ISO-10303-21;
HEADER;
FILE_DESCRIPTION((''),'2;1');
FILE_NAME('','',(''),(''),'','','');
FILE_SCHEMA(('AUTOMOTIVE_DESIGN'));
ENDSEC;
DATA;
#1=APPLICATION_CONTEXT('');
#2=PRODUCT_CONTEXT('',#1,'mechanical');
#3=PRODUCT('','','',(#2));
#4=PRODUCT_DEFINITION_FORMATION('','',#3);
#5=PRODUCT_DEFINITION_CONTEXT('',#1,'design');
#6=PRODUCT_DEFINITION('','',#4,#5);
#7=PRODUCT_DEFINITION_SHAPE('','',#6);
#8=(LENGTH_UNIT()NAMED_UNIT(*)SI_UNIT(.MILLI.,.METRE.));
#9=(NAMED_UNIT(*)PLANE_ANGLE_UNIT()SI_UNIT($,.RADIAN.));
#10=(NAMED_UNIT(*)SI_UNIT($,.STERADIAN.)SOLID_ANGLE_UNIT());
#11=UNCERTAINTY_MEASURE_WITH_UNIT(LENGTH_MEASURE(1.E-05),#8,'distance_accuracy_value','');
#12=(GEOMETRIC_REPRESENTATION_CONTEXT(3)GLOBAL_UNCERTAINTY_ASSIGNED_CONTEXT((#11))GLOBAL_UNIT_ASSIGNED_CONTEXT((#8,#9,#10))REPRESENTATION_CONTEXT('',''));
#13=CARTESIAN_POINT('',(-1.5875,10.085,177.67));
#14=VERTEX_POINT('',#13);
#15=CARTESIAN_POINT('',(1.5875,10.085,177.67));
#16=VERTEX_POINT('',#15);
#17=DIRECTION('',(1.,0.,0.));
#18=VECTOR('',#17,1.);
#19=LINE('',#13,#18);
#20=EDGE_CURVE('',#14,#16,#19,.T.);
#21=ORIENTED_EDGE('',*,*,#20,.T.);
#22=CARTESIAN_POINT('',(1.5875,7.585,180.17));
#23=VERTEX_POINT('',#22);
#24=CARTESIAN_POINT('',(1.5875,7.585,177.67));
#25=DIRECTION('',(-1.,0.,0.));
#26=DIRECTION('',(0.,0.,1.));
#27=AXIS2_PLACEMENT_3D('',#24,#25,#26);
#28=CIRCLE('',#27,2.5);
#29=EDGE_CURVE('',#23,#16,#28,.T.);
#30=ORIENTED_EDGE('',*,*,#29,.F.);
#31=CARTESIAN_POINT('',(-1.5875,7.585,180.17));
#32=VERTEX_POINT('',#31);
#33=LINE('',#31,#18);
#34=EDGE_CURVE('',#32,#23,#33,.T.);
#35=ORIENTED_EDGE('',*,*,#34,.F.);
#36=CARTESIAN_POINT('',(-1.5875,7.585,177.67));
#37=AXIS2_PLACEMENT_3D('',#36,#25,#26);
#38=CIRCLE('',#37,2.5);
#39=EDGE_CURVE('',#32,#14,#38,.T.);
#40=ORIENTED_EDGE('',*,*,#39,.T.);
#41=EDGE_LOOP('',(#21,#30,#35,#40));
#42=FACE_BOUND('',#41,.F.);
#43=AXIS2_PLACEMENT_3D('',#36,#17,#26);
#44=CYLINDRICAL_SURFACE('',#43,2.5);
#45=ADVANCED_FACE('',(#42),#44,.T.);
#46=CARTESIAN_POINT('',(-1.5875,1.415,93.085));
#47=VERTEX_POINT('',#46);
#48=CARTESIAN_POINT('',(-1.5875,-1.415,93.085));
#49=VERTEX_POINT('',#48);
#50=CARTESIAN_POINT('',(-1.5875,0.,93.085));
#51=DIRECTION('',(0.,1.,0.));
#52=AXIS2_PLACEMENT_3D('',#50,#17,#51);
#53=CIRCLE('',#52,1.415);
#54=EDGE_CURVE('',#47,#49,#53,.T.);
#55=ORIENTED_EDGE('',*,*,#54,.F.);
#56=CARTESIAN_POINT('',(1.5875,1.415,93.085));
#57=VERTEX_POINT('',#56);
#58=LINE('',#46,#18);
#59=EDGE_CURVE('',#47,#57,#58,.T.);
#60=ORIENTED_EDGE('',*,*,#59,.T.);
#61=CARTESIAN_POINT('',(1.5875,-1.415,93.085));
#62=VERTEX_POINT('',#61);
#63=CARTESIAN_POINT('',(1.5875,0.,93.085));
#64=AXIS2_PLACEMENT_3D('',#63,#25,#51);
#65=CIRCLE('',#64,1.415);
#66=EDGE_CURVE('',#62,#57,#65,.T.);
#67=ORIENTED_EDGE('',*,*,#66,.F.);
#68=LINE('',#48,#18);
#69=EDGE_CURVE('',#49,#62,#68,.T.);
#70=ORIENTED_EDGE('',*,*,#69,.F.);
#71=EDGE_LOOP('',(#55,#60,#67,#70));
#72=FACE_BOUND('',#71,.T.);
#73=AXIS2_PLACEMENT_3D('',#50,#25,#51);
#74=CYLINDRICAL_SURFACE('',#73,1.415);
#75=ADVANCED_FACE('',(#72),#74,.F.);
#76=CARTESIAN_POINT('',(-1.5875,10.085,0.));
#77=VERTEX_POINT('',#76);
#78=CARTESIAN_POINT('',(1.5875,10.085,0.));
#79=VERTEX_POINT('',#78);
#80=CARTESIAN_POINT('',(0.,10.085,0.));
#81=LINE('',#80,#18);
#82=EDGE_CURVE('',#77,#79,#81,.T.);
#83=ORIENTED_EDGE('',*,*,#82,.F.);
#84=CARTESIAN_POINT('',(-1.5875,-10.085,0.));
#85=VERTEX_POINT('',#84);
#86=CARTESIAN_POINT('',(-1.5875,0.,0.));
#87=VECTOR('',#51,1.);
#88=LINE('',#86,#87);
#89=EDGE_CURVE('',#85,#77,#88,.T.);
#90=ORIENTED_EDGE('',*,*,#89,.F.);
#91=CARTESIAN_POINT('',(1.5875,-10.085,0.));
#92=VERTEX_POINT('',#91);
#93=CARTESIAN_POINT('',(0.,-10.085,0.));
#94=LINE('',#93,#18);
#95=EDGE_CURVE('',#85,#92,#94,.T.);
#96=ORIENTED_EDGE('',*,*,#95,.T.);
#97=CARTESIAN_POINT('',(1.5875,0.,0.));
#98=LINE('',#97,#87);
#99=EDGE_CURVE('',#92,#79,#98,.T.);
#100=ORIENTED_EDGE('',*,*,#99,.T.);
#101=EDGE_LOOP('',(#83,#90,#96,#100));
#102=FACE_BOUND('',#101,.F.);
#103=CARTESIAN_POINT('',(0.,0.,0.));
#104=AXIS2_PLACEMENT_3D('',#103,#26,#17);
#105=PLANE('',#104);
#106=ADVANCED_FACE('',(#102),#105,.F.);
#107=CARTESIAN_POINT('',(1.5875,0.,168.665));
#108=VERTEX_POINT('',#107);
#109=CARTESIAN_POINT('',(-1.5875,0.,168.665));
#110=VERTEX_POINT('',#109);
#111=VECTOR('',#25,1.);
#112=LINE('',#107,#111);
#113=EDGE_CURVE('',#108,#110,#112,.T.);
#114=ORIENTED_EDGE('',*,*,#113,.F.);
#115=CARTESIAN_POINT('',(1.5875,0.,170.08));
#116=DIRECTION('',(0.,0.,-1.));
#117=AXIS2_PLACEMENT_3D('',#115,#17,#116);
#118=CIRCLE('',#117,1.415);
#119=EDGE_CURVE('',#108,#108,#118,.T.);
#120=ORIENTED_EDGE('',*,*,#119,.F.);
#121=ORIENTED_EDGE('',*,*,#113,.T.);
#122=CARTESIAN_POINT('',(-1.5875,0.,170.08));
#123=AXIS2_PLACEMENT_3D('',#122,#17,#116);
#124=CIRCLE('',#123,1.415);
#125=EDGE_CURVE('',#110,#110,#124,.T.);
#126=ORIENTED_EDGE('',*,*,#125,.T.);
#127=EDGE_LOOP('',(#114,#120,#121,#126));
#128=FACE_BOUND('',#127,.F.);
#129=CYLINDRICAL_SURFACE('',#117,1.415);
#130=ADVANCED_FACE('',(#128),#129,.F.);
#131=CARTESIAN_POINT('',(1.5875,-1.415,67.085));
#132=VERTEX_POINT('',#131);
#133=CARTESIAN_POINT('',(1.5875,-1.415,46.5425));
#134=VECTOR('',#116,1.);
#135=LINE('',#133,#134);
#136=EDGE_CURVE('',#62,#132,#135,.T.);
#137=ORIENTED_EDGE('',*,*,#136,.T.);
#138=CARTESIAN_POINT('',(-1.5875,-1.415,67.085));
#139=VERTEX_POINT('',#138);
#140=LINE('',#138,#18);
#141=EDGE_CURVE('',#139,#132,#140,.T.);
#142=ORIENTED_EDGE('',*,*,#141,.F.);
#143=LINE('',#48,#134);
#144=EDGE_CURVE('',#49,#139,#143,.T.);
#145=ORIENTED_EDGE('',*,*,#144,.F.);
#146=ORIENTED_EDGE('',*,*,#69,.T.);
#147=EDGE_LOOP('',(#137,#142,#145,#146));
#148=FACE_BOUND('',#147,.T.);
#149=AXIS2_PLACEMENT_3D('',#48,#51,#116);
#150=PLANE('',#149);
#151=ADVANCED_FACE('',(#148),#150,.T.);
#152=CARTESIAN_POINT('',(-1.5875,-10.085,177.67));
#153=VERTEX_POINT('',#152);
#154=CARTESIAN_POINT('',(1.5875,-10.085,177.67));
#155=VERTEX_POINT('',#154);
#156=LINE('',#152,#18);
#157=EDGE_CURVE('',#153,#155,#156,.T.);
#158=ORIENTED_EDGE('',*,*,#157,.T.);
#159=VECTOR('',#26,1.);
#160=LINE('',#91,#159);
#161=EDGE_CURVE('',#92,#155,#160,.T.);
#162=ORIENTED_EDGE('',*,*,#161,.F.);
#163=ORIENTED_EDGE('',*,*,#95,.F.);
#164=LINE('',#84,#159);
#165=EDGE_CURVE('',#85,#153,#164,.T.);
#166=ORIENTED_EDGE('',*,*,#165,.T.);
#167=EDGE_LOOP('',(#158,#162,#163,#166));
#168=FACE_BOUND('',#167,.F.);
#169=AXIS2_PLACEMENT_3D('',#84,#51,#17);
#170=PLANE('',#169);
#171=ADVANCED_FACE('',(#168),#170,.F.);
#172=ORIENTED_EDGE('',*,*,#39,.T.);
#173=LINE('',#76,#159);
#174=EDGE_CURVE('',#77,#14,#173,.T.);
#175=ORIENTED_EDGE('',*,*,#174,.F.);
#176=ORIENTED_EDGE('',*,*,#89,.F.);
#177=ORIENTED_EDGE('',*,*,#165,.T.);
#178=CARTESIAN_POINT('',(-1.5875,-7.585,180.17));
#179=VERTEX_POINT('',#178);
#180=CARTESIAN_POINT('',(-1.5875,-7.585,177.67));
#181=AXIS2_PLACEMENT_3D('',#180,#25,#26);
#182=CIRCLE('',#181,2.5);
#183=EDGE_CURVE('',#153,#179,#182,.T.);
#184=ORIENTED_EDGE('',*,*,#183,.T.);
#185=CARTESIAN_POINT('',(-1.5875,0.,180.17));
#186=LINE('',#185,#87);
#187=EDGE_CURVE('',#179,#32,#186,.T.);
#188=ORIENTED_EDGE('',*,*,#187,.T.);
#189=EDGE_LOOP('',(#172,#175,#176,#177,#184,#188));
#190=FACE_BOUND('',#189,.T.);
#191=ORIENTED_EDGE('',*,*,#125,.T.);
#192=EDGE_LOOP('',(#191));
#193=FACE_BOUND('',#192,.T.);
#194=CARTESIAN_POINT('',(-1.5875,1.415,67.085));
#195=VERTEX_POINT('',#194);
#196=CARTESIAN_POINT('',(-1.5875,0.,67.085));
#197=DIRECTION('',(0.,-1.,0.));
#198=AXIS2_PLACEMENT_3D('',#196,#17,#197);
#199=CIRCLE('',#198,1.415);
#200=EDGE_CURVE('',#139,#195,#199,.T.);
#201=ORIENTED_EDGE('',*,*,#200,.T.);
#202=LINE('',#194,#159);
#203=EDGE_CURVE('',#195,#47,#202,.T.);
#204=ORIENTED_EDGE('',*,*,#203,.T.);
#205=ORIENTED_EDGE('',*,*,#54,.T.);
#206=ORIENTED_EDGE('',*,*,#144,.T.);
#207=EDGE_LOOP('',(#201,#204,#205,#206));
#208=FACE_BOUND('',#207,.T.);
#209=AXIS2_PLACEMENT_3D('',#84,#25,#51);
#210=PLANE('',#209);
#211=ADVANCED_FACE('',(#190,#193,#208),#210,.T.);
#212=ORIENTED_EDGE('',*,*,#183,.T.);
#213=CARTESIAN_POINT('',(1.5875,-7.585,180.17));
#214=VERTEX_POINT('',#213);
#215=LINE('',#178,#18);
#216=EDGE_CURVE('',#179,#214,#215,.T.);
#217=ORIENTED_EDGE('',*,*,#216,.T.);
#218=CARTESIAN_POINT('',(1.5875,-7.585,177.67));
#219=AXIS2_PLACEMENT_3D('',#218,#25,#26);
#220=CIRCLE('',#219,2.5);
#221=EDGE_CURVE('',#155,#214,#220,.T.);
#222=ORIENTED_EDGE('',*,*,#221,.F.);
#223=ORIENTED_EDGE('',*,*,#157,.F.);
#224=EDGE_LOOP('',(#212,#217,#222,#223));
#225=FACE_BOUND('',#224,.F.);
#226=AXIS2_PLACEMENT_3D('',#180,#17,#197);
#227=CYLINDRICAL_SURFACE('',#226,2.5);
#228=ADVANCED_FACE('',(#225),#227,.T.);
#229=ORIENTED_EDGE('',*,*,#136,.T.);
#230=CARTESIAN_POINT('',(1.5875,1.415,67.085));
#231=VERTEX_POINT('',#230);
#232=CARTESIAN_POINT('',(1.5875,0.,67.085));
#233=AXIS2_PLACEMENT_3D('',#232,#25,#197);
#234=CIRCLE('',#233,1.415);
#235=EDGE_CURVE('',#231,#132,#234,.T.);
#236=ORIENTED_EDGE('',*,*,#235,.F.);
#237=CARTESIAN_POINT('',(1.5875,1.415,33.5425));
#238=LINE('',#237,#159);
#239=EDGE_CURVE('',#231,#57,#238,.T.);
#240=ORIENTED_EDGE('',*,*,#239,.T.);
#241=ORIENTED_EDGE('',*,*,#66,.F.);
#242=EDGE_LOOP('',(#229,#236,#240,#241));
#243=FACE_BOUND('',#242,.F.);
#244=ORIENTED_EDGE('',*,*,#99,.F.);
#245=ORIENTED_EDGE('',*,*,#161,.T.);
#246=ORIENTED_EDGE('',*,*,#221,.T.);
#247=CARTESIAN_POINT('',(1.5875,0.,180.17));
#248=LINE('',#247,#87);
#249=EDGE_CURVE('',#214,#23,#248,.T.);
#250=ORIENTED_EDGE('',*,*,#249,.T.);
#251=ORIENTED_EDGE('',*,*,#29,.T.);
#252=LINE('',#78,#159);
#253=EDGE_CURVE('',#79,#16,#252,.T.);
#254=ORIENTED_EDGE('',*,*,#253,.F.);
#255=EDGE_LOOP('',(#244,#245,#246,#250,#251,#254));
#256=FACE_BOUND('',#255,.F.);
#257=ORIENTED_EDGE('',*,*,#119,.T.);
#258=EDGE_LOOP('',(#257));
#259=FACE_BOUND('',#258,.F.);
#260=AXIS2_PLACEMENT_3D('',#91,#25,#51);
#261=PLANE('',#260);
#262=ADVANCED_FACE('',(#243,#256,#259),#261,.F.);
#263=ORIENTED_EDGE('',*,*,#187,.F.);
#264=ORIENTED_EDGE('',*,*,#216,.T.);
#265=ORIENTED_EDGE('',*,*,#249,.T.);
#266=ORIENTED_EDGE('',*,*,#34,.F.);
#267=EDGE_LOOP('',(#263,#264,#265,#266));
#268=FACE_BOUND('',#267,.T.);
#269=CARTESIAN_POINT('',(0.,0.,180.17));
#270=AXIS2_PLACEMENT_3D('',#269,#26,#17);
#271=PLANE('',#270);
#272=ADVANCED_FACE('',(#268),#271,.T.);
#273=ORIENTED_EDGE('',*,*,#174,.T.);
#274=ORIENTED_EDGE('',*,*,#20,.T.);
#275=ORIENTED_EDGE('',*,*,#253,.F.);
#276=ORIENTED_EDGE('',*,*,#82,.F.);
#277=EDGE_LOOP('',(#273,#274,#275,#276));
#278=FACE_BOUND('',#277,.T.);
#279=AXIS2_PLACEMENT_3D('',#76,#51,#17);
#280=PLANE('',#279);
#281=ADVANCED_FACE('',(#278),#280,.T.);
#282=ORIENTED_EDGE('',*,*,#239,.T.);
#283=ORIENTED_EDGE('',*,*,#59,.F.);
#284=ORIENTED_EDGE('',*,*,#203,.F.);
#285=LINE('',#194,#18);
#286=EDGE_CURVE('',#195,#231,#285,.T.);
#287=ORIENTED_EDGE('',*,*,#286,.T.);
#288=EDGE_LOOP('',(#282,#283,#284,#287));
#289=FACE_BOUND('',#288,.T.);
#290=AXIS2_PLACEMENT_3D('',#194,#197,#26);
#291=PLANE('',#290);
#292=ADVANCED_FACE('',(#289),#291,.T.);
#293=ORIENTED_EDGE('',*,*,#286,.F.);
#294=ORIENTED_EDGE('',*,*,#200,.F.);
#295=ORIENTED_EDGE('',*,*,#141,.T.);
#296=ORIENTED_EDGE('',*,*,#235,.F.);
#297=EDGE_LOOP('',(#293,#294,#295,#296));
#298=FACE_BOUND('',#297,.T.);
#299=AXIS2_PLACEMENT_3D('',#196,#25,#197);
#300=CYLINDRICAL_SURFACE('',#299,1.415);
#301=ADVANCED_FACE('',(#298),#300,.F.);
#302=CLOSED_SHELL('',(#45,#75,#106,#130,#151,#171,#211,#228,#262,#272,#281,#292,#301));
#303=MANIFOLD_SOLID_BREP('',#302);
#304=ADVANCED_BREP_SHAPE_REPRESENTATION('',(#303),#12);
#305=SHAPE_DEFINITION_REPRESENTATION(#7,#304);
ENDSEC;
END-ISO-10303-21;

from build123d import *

# Parameters (mm, degrees)
SKETCH1_W           = 3.175
SKETCH1_H           = 20.17
BOSS_EXTRUDE1_DEPTH = 180.17
SKETCH6_R           = 1.415
CUT_EXTRUDE1_DEPTH  = 4.175
FILLET1_R           = 2.5
CUT_EXTRUDE3_DEPTH  = 10


with BuildPart() as part:
    # Sketch1 → Boss-Extrude1 (new body)
    with BuildSketch(Plane.XY):
        Rectangle(SKETCH1_W, SKETCH1_H)
    extrude(amount=BOSS_EXTRUDE1_DEPTH)

    # Sketch6 → Cut-Extrude1 (cut, through all)
    with BuildSketch(Plane(origin=(1.5875, 0, 0), x_dir=(0, 0, -1), z_dir=(1, 0, 0))):
        with Locations((-170.08, 0)):
            Circle(SKETCH6_R)
    extrude(amount=-CUT_EXTRUDE1_DEPTH, mode=Mode.SUBTRACT)

    # Fillet1
    fillet1_edges = [part.edges().sort_by_distance(p)[0] for p in [
        (0, -10.085, 180.17),
        (0, 10.085, 180.17),
    ]]
    fillet(fillet1_edges, radius=FILLET1_R)

    # Sketch7 → Cut-Extrude3 (cut)
    with BuildSketch(Plane.ZY.offset(1.5875)):
        with BuildLine():
            Line((67.085, 1.415), (93.085, 1.415))
            ThreePointArc((93.085, 1.415), (94.5, 0), (93.085, -1.415))
            Line((93.085, -1.415), (67.085, -1.415))
            ThreePointArc((67.085, -1.415), (65.67, 0), (67.085, 1.415))
        make_face()
    extrude(amount=-CUT_EXTRUDE3_DEPTH, mode=Mode.SUBTRACT)


solid = part.part
